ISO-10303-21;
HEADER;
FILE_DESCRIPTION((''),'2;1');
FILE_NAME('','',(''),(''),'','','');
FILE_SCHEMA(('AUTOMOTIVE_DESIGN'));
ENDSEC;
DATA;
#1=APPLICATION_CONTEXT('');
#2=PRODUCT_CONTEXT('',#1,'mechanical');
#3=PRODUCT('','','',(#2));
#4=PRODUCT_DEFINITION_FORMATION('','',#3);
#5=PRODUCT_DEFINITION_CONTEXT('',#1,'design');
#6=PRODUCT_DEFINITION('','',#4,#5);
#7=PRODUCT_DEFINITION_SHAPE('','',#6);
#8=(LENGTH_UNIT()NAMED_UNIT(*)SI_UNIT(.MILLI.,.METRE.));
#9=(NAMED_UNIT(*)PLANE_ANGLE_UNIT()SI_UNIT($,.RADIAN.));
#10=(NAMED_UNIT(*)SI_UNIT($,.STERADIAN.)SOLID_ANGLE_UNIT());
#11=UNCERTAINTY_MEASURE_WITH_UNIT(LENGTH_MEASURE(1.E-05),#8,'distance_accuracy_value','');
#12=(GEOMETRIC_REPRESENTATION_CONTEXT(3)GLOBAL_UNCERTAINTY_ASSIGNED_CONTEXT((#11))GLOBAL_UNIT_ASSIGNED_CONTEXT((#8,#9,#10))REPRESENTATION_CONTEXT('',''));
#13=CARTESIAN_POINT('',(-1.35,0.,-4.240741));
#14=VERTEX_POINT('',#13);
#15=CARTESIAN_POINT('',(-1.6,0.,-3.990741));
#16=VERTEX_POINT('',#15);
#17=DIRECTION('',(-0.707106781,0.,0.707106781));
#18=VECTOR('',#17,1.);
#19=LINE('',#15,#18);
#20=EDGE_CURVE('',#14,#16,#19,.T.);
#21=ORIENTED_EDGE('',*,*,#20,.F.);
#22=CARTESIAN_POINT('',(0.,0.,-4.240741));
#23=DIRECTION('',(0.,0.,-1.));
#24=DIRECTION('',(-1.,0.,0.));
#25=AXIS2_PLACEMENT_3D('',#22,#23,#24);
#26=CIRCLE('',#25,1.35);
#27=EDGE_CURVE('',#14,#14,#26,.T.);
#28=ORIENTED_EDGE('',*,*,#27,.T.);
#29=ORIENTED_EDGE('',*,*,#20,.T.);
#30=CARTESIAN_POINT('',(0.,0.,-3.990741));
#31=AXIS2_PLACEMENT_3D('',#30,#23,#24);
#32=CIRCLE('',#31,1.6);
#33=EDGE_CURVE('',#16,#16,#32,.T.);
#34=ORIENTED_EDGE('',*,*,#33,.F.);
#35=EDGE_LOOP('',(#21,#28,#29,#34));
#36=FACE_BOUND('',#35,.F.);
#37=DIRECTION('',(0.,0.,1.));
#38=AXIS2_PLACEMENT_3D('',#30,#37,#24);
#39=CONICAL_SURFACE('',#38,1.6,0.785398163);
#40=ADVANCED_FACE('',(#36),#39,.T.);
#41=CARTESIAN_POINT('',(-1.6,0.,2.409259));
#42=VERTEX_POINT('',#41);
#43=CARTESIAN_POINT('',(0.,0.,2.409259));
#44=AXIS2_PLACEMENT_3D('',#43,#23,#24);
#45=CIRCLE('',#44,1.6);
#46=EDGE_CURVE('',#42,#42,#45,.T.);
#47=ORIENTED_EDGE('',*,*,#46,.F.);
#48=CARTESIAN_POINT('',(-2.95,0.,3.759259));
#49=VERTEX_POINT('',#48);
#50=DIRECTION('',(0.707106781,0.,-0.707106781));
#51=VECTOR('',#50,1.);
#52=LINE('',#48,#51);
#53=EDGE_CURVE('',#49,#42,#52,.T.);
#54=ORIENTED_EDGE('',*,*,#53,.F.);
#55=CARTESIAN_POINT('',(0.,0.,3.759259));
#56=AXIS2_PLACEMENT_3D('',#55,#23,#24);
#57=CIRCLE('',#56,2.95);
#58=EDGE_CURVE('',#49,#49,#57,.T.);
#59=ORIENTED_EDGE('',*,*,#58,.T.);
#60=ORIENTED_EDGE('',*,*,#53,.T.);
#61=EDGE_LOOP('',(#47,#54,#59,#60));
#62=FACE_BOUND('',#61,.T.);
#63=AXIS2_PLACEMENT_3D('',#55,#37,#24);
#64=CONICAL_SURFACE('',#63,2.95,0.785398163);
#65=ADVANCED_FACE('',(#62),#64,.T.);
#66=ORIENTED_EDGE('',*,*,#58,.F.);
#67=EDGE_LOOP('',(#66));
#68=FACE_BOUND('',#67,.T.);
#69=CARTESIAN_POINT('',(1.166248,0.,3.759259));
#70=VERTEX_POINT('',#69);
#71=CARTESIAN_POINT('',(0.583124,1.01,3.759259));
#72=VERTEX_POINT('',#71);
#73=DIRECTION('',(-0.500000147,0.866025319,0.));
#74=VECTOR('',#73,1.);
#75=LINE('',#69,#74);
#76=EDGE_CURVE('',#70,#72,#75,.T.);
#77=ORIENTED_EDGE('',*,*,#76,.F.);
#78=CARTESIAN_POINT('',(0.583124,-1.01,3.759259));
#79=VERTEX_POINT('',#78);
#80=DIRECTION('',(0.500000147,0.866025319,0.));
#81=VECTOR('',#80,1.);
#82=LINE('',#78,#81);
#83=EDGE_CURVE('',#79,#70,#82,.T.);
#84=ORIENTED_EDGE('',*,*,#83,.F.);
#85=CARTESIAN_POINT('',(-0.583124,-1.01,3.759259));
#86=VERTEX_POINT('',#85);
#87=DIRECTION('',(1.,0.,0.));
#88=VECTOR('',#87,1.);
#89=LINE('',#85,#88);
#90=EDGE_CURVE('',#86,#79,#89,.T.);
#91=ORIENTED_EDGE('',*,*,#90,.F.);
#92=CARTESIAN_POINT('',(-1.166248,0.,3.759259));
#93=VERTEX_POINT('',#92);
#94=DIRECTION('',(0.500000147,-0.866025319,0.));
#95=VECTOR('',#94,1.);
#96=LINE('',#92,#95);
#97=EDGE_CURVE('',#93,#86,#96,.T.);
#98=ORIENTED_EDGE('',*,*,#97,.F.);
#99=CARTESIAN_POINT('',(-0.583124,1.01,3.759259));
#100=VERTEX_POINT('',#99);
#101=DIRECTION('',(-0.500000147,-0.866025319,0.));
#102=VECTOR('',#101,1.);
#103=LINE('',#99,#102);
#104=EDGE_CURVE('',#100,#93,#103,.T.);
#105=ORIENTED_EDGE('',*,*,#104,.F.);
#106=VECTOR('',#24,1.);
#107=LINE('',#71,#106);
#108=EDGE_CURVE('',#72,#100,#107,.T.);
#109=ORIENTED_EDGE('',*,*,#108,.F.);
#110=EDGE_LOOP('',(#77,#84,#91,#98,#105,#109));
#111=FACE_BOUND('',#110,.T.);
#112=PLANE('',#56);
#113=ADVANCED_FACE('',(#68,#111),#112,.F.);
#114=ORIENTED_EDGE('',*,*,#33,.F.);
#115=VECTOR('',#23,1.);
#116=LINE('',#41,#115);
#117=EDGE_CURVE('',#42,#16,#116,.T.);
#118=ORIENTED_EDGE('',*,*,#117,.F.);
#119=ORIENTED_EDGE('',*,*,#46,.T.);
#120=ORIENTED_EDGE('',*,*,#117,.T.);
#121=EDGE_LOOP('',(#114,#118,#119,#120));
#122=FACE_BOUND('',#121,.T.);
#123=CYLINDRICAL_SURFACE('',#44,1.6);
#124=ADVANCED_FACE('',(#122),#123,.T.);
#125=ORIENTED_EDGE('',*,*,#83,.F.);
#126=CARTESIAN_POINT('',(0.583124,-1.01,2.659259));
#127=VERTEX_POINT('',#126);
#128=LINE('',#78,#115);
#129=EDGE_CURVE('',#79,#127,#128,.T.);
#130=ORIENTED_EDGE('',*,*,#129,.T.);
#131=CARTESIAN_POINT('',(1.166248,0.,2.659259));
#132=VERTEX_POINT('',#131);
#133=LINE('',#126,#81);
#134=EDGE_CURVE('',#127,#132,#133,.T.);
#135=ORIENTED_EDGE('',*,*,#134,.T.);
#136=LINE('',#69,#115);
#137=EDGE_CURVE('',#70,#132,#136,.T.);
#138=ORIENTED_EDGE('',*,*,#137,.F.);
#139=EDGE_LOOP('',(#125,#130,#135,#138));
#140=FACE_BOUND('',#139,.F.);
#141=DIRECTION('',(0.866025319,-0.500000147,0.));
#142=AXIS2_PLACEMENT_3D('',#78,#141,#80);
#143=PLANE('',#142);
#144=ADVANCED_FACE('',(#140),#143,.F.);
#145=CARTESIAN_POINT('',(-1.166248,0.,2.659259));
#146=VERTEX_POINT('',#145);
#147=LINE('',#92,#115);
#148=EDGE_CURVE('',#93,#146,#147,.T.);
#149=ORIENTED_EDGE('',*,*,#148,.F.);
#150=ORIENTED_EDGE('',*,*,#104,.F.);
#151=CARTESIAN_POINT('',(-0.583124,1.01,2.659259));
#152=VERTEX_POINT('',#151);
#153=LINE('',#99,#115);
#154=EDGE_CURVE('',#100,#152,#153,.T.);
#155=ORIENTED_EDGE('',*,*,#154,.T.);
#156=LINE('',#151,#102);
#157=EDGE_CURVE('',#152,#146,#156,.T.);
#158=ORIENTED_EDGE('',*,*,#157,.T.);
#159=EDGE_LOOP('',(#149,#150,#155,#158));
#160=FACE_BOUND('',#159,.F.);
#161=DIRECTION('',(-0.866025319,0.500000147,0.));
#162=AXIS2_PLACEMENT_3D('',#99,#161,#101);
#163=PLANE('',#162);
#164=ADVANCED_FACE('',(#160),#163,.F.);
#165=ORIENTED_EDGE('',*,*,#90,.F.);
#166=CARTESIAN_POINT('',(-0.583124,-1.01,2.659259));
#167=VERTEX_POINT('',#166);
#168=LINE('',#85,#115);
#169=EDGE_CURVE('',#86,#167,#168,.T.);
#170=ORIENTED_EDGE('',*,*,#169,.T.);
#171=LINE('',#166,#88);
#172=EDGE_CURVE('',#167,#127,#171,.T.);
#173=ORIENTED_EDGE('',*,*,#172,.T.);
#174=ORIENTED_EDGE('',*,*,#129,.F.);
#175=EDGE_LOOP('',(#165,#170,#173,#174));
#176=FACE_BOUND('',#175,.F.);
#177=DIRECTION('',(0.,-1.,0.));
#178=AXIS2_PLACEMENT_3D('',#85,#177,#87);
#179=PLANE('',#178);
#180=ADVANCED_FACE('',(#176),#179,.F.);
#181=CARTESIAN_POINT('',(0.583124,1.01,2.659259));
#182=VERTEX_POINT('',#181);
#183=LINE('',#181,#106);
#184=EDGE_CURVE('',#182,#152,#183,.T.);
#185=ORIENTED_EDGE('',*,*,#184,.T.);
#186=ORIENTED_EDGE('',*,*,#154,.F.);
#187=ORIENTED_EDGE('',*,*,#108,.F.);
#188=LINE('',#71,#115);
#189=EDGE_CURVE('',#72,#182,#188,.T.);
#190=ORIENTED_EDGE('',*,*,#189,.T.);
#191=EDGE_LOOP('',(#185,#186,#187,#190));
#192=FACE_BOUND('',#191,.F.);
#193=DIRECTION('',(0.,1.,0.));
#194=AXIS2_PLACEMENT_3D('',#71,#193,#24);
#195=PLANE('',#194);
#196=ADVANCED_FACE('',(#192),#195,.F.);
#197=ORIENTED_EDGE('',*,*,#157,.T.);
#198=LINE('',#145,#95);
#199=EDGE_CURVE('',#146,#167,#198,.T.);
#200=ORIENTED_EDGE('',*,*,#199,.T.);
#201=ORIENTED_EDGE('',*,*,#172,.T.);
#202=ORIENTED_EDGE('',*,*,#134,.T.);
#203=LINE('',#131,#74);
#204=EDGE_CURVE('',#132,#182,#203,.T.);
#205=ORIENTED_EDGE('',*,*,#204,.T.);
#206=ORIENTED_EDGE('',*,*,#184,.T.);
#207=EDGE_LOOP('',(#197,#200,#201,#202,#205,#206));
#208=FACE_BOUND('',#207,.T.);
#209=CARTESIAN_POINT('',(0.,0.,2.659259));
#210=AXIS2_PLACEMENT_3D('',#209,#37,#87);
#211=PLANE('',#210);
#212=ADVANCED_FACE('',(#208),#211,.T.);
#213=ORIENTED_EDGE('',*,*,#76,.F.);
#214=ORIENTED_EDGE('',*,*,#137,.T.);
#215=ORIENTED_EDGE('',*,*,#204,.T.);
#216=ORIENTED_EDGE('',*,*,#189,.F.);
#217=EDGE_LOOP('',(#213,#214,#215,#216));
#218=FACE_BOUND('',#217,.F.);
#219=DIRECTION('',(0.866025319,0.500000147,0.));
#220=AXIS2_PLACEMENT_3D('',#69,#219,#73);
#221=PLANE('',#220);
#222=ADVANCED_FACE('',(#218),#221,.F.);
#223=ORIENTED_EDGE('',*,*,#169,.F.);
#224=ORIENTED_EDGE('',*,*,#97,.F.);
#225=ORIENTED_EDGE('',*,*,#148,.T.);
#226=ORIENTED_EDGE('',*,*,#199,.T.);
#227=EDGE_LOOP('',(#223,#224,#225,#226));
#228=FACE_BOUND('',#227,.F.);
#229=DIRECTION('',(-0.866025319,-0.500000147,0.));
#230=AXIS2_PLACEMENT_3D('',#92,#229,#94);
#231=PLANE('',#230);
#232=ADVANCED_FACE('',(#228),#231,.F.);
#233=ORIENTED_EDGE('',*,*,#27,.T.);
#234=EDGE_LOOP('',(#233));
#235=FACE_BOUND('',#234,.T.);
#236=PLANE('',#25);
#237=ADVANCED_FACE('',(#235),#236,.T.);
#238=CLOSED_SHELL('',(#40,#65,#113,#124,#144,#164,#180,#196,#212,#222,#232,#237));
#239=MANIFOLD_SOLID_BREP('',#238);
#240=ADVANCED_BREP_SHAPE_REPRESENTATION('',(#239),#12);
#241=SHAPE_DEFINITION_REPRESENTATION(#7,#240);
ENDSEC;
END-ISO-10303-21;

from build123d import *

# Parameters (mm, degrees)
F3_DEPTH = 1.1
F4_SIZE  = 0.25


with BuildPart() as f1:
    # F0 (on Front) → F1 (revolve)
    with BuildSketch(Plane.XZ):
        Polygon((-1.6, -4.240741), (0, -4.240741), (0, 3.759259), (-2.95, 3.759259), (-1.6, 2.409259), align=None)
    revolve(axis=Axis((0, 0, -0.240741), (0, 0, -1)))

    # F2 (on face) → F3 (cut)
    with BuildSketch(Plane.XY.offset(3.759259)):
        Polygon((0.583124, -1.01), (1.166248, 0), (0.583124, 1.01), (-0.583124, 1.01), (-1.166248, 0), (-0.583124, -1.01), align=None)
    extrude(amount=-F3_DEPTH, mode=Mode.SUBTRACT)

    # F4
    f4_edges = [f1.edges().sort_by_distance(p)[0] for p in [
        (1.6, 0, -4.240741),
    ]]
    chamfer(f4_edges, length=F4_SIZE)


solid = f1.part
